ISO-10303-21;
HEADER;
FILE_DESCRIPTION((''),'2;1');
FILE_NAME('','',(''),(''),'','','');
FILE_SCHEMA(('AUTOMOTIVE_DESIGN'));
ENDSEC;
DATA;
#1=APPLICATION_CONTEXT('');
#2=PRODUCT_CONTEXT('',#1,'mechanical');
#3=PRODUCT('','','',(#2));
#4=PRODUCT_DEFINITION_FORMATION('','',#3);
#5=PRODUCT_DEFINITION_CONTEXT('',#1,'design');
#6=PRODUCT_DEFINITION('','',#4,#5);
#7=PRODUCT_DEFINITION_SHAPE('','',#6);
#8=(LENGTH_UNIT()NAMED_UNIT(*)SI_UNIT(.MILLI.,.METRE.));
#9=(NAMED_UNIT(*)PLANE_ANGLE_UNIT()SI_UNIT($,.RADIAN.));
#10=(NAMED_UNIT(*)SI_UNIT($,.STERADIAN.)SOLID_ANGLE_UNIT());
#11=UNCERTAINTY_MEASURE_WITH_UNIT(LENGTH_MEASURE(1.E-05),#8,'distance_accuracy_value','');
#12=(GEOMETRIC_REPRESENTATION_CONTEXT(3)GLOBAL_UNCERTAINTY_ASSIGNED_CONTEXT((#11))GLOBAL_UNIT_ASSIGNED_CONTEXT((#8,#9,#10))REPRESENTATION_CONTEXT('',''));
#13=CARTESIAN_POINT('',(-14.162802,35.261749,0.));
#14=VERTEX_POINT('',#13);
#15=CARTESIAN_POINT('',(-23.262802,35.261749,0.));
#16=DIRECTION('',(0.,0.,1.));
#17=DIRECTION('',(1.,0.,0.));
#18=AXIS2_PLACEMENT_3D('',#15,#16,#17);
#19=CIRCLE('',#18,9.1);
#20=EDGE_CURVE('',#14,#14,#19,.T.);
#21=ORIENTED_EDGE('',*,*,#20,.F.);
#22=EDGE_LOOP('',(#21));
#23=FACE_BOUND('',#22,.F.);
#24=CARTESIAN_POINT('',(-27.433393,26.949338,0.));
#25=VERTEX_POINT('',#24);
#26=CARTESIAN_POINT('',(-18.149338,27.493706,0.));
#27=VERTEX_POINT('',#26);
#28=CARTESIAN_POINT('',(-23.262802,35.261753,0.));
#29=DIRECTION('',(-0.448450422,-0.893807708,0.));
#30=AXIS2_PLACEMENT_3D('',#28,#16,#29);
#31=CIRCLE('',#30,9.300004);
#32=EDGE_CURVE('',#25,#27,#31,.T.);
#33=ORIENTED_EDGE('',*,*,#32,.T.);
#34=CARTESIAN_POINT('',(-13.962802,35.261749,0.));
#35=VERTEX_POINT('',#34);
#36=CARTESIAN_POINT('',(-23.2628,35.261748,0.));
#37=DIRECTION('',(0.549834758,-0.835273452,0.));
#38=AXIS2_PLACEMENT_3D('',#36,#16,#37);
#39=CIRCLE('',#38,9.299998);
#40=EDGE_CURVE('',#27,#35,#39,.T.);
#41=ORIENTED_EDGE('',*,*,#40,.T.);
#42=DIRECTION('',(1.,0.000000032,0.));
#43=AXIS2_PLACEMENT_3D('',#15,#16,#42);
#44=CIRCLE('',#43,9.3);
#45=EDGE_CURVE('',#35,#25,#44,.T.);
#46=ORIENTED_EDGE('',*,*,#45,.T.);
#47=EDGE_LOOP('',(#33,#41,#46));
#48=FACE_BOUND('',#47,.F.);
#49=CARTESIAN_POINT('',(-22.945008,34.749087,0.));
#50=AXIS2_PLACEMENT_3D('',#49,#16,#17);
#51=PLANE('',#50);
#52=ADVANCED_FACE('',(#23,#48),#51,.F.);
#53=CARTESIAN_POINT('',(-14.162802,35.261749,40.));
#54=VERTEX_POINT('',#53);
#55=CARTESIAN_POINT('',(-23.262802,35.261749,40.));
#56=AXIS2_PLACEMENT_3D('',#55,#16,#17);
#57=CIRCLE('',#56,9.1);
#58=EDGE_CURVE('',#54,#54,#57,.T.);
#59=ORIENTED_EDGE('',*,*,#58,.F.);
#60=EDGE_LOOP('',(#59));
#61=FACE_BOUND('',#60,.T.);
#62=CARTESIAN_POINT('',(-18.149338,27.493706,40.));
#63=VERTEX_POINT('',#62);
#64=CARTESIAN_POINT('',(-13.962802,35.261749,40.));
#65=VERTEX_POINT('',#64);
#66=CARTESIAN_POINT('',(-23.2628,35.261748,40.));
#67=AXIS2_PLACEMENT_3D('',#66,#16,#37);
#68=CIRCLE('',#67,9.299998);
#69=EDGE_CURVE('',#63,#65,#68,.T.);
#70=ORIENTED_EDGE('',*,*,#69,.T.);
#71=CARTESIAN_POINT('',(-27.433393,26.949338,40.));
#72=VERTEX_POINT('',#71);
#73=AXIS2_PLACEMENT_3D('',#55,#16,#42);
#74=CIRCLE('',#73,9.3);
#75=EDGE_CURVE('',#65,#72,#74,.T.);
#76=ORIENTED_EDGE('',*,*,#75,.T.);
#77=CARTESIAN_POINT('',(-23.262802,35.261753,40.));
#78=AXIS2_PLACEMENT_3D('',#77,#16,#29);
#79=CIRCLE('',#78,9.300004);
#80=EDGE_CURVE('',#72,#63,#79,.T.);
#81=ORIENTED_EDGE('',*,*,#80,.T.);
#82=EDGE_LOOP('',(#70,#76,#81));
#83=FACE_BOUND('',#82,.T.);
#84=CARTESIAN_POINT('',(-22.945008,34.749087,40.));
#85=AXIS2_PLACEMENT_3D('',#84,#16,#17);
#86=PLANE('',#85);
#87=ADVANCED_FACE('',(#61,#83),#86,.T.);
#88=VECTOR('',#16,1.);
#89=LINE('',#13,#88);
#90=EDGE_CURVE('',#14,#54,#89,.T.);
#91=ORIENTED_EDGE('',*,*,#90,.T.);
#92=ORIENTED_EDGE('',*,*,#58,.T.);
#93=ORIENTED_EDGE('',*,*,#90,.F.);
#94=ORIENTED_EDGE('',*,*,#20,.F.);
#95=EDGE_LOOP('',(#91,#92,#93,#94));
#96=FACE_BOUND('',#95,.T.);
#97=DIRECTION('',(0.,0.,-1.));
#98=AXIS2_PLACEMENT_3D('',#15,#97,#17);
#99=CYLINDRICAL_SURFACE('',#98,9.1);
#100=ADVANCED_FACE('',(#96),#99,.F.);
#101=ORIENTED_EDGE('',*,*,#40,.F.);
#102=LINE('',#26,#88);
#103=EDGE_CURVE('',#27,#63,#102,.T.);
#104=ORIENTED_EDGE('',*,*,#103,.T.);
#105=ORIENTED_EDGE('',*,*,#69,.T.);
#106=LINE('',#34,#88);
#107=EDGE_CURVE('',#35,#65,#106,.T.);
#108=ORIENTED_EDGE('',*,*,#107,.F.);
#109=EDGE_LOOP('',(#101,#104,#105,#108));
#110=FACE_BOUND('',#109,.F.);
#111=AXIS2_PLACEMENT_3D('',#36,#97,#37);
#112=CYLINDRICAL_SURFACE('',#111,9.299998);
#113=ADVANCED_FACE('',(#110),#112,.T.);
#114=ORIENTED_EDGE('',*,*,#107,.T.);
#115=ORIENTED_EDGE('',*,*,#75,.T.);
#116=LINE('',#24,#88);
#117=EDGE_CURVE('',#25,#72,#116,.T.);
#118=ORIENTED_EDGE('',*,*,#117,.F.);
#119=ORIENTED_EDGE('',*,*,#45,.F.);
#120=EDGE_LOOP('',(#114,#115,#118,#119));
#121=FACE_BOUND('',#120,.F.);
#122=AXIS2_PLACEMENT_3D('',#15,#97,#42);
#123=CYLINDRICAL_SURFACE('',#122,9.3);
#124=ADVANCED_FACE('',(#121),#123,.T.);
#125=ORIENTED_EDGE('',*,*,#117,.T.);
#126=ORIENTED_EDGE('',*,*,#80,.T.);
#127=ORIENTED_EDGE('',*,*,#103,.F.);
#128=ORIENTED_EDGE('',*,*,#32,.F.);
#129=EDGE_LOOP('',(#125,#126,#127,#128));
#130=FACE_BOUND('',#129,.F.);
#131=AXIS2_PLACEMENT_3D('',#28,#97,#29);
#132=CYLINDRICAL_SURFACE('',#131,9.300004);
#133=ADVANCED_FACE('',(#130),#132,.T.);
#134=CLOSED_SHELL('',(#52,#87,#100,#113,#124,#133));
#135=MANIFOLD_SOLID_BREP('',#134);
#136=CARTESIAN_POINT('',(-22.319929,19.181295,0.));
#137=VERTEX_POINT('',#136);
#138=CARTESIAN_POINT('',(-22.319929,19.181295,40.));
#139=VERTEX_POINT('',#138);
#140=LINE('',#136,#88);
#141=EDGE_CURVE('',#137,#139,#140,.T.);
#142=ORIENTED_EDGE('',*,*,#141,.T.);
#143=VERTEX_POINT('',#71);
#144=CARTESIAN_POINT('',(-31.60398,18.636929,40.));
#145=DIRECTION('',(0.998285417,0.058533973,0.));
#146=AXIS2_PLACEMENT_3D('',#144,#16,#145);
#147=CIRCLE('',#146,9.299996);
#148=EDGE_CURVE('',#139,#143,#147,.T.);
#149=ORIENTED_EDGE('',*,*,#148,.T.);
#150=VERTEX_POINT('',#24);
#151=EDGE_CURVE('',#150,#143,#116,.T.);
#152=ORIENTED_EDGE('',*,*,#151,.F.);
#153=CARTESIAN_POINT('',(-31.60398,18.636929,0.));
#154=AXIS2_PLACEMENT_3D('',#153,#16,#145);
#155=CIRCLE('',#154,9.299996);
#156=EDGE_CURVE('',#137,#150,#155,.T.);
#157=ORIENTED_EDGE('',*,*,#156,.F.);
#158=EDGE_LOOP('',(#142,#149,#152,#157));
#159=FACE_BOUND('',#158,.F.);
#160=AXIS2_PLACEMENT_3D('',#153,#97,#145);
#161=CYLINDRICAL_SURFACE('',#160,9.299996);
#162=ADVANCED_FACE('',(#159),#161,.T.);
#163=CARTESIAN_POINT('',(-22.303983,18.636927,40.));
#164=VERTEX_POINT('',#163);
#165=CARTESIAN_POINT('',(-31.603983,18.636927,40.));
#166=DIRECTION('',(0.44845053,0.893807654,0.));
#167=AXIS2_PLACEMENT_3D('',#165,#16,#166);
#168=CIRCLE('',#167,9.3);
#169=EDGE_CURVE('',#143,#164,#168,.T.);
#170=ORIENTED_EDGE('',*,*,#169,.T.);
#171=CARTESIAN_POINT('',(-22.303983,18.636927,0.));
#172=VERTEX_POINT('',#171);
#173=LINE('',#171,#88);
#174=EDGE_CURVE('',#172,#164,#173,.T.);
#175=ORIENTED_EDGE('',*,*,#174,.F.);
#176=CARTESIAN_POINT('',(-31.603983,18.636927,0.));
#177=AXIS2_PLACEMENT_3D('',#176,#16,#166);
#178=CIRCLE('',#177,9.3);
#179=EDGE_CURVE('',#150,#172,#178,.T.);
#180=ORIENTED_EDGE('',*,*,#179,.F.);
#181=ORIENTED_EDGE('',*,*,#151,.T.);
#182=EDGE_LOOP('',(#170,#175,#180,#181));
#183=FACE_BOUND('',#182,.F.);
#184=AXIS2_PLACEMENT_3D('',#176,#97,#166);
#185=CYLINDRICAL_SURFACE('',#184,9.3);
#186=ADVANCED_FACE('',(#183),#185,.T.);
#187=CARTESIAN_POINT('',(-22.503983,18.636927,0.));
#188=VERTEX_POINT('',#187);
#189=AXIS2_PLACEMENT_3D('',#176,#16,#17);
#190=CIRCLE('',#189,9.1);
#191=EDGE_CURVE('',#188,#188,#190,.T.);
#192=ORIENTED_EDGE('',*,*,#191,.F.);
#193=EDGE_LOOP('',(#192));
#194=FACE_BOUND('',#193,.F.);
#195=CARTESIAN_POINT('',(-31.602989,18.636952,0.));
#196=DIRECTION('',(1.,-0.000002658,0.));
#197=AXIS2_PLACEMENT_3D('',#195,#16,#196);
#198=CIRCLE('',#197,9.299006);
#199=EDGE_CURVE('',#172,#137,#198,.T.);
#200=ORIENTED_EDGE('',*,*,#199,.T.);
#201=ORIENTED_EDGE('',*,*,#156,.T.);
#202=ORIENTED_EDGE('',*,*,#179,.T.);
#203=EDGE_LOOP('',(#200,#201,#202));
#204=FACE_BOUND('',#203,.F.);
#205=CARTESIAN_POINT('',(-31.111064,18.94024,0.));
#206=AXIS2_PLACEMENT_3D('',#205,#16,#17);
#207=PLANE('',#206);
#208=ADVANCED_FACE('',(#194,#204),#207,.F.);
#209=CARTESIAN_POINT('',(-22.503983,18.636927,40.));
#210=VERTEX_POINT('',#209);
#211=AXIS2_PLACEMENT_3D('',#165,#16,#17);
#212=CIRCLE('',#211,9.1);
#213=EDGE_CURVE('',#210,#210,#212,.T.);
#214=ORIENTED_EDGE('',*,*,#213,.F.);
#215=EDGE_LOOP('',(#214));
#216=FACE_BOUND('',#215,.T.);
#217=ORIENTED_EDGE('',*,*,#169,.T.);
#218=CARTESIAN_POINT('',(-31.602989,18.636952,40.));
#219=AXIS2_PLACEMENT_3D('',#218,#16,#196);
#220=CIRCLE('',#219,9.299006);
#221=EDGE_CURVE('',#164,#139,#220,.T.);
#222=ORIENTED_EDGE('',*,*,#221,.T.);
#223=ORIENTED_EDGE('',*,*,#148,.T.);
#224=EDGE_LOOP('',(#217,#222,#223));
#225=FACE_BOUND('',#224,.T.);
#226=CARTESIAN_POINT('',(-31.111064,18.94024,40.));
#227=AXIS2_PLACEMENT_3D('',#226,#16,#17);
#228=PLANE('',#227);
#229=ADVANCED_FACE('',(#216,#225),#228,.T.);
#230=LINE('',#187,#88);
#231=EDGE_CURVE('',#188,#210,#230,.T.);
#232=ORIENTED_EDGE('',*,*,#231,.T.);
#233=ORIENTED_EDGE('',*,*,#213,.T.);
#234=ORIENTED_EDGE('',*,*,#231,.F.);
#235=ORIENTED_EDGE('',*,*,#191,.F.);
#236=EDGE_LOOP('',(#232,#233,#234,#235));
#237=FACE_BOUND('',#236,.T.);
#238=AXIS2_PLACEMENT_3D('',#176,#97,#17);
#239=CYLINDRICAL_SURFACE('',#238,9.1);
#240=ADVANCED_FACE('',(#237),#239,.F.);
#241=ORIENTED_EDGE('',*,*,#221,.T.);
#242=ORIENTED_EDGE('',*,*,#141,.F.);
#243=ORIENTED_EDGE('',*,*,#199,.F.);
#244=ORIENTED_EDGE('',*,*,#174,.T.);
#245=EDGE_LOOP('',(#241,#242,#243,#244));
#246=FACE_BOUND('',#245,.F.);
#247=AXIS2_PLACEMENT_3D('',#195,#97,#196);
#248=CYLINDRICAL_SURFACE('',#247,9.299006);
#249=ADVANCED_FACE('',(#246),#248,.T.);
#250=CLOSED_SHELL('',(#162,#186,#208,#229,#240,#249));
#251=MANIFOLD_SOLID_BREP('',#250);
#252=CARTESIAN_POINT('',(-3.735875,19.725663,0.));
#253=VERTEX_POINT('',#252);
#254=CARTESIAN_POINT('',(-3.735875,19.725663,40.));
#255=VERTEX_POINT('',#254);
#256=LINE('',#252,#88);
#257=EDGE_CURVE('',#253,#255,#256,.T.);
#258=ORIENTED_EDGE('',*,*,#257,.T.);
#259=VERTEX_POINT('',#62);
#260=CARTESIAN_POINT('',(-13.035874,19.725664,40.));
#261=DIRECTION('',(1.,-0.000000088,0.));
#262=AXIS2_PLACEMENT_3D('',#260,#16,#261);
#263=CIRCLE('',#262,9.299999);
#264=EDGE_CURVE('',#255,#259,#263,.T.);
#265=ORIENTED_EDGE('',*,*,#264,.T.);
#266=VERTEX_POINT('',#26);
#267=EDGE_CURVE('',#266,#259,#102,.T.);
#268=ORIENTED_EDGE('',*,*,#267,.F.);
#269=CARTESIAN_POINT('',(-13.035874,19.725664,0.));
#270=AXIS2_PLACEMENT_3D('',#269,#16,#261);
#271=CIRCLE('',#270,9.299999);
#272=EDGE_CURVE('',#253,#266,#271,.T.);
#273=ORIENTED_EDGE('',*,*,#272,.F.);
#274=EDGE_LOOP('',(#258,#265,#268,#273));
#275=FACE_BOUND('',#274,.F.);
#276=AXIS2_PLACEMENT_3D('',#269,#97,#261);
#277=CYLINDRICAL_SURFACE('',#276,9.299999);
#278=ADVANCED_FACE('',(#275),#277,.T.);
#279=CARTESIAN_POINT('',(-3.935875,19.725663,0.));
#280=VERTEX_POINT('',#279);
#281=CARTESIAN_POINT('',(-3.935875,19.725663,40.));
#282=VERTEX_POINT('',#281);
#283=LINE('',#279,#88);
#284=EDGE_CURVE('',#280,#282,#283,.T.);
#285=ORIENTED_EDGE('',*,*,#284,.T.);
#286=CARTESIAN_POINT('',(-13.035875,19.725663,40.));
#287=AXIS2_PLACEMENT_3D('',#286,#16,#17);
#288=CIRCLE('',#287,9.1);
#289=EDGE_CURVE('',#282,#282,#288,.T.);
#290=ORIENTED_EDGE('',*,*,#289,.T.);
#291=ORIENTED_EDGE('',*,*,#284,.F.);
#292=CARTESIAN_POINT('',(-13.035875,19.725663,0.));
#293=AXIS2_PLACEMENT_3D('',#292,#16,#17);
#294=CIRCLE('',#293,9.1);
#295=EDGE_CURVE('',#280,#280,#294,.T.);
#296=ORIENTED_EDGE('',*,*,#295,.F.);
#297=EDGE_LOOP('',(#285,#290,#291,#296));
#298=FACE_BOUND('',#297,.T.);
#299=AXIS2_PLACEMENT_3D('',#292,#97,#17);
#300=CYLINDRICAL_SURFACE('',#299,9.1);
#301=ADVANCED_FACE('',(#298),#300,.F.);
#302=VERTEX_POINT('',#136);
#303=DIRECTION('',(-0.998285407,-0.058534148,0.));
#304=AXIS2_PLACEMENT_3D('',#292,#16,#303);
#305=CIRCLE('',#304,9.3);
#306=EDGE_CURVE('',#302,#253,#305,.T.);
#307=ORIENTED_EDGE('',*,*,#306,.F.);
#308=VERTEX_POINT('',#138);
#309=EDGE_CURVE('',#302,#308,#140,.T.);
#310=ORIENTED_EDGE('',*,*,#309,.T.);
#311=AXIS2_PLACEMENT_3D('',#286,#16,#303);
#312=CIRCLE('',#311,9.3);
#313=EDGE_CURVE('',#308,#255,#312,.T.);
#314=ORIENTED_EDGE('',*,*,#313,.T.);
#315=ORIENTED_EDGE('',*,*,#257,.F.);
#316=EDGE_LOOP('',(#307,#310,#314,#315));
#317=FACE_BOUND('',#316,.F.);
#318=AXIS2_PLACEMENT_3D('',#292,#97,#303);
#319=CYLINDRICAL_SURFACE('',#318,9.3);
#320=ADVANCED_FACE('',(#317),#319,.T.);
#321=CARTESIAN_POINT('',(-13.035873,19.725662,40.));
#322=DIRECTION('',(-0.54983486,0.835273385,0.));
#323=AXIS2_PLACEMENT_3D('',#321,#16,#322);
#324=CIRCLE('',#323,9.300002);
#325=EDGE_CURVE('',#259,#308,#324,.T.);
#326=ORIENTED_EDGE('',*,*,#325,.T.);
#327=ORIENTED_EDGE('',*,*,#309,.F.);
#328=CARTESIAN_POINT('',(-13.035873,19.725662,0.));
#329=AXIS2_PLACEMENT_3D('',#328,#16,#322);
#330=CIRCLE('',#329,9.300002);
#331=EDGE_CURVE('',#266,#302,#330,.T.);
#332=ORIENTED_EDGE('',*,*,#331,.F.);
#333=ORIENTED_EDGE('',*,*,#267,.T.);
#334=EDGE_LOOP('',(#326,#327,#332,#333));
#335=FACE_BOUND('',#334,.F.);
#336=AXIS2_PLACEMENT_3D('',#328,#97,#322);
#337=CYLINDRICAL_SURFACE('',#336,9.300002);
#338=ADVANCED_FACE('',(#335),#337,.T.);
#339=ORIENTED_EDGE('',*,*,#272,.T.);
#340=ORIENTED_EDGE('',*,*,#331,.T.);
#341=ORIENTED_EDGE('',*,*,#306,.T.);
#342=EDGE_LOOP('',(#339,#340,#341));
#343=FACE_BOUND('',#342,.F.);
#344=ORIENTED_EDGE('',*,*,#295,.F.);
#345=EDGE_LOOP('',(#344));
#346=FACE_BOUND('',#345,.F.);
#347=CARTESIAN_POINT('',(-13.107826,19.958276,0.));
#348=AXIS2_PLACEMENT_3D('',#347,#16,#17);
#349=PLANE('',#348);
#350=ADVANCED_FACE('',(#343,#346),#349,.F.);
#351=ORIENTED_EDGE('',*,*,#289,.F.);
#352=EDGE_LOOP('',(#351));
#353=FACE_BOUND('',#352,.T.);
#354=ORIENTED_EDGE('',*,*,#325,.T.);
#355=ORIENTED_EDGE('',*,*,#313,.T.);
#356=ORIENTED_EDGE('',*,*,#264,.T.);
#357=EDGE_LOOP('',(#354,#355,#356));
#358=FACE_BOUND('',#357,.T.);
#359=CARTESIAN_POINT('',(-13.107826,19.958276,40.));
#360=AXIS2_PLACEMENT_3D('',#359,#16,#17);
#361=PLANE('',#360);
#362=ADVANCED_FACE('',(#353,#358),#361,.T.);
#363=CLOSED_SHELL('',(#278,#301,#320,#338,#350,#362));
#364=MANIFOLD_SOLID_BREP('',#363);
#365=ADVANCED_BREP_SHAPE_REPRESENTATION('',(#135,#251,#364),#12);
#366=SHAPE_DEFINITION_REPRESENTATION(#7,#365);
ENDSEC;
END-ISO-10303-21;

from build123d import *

# Parameters (mm, degrees)
F0_R     = 9.1
F1_DEPTH = 40


with BuildPart() as f1:
    # F0 (on Top) → F1 (new body)
    with BuildSketch(Plane.XY):
        with BuildLine():
            ThreePointArc((-27.433393, 26.949338), (-39.518416, 13.753102), (-22.303983, 18.636927))
            ThreePointArc((-22.303983, 18.636927), (-22.30797, 18.909228), (-22.319929, 19.181295))
            ThreePointArc((-22.319929, 19.181295), (-23.83594, 23.750391), (-27.433393, 26.949338))
        make_face()
        with Locations((-31.603983, 18.636927)):
            Circle(F0_R, mode=Mode.SUBTRACT)
        with BuildLine():
            ThreePointArc((-18.149338, 27.493706), (-21.348285, 23.896254), (-22.319929, 19.181295))
            ThreePointArc((-22.319929, 19.181295), (-12.763574, 10.42965), (-3.735875, 19.725663))
            ThreePointArc((-3.735875, 19.725663), (-8.623688, 27.912397), (-18.149338, 27.493706))
        make_face()
        with Locations((-13.035875, 19.725663)):
            Circle(F0_R, mode=Mode.SUBTRACT)
        with BuildLine():
            ThreePointArc((-13.962802, 35.261749), (-28.146627, 43.176182), (-27.433393, 26.949338))
            ThreePointArc((-27.433393, 26.949338), (-22.718434, 25.977695), (-18.149338, 27.493706))
            ThreePointArc((-18.149338, 27.493706), (-15.076068, 30.849562), (-13.962802, 35.261749))
        make_face()
        with Locations((-23.262802, 35.261749)):
            Circle(F0_R, mode=Mode.SUBTRACT)
    extrude(amount=F1_DEPTH)


solid = f1.part
